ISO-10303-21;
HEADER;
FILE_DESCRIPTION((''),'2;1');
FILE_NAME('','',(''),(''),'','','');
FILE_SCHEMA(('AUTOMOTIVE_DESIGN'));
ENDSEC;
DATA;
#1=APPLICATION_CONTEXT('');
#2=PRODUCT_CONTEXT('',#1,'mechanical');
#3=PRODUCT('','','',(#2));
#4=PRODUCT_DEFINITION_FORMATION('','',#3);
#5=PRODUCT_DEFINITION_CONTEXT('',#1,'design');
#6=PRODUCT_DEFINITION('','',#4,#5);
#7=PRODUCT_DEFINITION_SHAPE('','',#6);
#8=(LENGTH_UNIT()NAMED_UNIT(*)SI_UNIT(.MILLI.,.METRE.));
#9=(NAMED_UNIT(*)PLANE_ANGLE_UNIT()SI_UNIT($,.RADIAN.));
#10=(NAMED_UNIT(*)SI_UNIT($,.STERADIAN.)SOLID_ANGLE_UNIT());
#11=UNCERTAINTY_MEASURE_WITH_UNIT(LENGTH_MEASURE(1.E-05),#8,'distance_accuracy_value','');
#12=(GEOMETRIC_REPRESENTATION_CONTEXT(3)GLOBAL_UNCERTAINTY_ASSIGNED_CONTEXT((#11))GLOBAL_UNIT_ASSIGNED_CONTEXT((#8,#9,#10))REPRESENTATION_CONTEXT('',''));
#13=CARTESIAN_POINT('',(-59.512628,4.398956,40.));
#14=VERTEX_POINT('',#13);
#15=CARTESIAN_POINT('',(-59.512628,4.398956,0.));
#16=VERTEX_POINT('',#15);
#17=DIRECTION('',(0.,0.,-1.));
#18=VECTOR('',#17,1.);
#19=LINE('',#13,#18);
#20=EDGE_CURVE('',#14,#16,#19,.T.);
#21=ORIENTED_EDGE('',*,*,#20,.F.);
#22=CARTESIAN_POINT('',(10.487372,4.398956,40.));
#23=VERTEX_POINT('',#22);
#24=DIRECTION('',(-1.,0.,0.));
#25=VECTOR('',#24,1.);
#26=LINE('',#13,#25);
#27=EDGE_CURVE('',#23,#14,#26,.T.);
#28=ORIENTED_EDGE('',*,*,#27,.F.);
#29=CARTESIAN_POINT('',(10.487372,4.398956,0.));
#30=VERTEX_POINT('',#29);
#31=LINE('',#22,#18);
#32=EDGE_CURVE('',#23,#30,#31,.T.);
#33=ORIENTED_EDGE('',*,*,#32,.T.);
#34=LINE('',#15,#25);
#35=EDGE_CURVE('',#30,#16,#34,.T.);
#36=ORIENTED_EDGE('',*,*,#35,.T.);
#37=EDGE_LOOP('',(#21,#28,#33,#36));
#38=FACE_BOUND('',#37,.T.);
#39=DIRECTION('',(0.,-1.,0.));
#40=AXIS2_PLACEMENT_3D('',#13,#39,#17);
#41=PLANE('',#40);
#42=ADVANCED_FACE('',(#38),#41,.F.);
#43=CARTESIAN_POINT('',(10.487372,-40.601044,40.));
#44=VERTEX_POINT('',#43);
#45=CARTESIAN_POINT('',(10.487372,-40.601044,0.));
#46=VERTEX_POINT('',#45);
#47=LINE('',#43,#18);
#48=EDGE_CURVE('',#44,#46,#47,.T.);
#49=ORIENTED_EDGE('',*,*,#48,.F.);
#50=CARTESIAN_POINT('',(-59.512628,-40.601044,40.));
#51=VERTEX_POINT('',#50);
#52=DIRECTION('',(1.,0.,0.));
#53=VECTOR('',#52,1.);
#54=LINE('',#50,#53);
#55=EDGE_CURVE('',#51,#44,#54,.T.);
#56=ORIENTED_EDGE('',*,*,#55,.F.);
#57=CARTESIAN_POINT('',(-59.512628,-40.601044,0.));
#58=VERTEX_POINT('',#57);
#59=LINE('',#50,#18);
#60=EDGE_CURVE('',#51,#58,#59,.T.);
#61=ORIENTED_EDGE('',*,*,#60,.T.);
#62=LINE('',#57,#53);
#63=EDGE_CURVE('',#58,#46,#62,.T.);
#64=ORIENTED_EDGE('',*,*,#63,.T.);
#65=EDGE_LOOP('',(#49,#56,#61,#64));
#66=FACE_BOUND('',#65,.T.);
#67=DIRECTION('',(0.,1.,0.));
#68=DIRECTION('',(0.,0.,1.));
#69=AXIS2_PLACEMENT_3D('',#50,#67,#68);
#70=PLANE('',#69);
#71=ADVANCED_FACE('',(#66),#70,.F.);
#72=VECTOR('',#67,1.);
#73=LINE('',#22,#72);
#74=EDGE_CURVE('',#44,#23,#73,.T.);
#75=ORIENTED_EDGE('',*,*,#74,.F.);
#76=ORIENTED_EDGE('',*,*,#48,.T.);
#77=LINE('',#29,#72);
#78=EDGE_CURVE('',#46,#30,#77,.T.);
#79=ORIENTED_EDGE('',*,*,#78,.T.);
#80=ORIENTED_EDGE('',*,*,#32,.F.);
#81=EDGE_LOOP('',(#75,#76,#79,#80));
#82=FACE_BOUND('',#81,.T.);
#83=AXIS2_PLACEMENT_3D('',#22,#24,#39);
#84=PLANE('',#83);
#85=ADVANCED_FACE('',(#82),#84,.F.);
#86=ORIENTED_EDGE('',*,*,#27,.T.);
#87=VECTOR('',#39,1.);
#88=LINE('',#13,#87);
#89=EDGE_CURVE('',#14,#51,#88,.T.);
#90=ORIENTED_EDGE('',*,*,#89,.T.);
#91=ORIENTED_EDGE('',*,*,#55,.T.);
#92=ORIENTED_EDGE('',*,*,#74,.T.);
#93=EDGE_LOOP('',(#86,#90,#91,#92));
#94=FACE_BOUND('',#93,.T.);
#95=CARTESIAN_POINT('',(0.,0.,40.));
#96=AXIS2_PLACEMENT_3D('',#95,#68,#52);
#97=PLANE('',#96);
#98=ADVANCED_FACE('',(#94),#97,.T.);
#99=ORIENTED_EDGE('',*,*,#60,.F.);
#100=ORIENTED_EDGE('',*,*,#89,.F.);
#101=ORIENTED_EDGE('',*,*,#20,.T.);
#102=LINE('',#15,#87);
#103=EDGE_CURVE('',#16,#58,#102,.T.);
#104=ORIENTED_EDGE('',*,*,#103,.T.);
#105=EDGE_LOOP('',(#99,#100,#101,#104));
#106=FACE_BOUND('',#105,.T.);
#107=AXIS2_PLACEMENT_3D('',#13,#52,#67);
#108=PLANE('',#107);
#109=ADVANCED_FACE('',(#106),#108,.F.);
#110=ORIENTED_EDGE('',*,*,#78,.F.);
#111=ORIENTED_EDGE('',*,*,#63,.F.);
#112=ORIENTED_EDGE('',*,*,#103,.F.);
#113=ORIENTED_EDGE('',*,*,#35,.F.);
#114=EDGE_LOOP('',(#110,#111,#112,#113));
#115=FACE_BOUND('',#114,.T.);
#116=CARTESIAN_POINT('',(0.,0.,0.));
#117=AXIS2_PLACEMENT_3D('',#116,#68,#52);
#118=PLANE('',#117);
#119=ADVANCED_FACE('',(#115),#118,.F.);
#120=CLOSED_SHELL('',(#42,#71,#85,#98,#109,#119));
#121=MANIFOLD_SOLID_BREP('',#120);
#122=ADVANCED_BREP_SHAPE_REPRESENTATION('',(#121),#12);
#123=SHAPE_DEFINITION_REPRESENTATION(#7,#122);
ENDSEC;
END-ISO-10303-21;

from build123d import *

# Parameters (mm, degrees)
SKETCH_1_W      = 70
SKETCH_1_H      = 45
EXTRUDE_1_DEPTH = 40


with BuildPart() as part:
    # 草图1 → 凸台-拉伸1 (new body)
    with BuildSketch(Plane.XY):
        with Locations((-24.512628357, -18.101043987)):
            Rectangle(SKETCH_1_W, SKETCH_1_H)
    extrude(amount=EXTRUDE_1_DEPTH)


solid = part.part
